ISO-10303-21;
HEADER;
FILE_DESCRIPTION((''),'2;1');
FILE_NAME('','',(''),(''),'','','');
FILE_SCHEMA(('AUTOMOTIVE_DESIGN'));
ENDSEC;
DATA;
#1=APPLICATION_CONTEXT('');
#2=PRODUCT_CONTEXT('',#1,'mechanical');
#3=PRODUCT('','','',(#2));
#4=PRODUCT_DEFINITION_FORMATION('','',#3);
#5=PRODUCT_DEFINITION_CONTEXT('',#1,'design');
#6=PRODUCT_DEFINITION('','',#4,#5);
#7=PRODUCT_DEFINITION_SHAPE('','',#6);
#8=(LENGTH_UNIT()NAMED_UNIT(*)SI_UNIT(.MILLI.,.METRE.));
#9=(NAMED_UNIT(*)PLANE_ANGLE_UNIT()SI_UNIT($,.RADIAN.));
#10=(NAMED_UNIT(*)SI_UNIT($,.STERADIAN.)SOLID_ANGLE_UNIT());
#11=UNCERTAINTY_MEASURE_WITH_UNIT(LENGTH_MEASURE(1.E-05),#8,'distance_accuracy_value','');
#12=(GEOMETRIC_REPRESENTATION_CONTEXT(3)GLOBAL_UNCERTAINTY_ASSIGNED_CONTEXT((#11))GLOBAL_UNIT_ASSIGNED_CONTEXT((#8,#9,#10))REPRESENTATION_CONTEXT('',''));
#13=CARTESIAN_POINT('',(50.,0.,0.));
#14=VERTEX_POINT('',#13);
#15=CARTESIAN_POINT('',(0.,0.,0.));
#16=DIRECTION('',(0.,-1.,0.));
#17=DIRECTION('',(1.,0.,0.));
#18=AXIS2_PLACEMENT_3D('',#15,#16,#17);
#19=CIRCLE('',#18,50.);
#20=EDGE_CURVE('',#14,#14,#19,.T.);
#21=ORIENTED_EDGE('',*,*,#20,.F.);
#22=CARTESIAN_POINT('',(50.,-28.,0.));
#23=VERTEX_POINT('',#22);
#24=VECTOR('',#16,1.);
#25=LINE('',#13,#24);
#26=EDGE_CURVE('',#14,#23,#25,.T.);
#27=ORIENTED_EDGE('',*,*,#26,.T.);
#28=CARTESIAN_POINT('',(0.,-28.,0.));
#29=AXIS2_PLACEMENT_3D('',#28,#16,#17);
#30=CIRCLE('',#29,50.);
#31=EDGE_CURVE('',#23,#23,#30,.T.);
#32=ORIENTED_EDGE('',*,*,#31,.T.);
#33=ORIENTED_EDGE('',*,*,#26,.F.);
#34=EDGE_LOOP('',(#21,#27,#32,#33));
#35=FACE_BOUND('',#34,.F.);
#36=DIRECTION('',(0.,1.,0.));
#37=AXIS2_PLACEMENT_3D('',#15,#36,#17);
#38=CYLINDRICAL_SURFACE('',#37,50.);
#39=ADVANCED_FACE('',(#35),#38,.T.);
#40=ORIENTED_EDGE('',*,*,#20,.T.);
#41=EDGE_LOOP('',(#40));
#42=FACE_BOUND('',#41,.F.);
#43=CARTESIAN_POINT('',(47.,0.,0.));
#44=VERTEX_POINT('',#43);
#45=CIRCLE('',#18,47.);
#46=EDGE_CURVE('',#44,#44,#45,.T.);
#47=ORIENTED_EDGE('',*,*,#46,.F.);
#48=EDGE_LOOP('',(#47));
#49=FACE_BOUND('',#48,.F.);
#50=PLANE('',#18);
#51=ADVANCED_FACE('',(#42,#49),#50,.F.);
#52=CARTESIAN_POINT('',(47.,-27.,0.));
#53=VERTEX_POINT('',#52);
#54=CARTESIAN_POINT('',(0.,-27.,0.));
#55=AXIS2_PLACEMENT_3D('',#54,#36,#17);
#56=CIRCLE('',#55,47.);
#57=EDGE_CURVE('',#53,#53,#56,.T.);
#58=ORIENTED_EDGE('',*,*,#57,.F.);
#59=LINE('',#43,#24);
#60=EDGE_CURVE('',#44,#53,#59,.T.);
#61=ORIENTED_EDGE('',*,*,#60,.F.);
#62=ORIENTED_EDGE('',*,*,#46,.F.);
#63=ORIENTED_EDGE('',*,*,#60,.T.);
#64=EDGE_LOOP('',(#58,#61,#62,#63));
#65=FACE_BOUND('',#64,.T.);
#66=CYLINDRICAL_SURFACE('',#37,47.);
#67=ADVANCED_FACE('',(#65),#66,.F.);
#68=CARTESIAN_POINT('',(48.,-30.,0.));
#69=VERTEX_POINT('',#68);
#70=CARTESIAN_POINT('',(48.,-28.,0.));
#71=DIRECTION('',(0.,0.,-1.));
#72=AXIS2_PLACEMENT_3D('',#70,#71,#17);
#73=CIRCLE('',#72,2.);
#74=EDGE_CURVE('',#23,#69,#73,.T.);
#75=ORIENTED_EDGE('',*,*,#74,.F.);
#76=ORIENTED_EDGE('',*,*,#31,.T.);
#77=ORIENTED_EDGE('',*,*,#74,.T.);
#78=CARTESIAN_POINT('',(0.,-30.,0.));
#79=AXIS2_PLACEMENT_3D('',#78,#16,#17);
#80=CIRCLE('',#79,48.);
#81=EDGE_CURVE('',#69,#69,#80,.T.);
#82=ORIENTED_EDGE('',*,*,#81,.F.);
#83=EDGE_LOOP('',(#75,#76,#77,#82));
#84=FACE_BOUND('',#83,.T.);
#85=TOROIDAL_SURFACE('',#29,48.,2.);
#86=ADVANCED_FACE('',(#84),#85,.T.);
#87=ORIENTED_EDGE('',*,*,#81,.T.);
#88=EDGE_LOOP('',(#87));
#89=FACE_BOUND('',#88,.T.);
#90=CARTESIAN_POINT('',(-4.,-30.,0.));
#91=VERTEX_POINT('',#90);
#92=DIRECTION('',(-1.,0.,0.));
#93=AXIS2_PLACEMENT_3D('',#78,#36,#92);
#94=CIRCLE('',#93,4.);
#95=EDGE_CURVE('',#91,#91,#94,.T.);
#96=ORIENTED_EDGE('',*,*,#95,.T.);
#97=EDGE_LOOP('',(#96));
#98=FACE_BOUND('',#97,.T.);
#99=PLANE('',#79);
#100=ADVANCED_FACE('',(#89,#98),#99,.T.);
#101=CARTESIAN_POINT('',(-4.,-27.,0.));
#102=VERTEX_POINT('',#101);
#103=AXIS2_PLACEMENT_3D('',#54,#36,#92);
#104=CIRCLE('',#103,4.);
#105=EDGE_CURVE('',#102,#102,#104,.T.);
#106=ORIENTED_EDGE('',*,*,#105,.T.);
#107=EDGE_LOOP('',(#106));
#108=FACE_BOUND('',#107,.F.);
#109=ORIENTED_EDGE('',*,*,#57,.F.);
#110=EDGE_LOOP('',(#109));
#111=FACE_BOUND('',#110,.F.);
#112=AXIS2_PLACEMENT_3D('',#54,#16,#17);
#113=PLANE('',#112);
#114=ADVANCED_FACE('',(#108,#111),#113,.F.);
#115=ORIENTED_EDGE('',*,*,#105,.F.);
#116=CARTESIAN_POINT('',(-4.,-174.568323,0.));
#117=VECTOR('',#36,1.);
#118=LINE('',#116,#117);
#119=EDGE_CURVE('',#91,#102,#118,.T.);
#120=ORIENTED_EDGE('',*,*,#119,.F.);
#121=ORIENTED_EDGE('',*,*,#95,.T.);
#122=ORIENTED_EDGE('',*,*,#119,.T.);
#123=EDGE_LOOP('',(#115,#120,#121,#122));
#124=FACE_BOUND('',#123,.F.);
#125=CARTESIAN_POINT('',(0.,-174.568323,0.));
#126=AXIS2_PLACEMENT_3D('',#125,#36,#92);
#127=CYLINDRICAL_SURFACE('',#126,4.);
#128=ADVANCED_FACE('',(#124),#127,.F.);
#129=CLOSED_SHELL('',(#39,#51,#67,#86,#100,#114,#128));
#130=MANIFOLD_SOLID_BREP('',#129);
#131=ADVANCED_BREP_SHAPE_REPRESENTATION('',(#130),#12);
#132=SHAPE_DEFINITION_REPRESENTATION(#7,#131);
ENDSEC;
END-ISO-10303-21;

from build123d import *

# Parameters (mm, degrees)
F0_R     = 50
F1_DEPTH = 30
F2_T     = -3
F3_R     = 2
F5_D     = 8


with BuildPart() as f1:
    # F0 (on Front) → F1 (new body)
    with BuildSketch(Plane.XZ):
        Circle(F0_R)
    extrude(amount=F1_DEPTH)

    # F2
    f2_openings = [f1.faces().sort_by_distance(p)[0] for p in [
        (0, 0, 0),
    ]]
    offset(amount=F2_T, openings=f2_openings)

    # F3
    f3_edges = [f1.edges().sort_by_distance(p)[0] for p in [
        (-50, -30, 0),
    ]]
    fillet(f3_edges, radius=F3_R)

    # F5 (through all)
    with Locations(Plane.XZ.offset(30)):
        with Locations((0, 0)):
            Hole(F5_D / 2)


solid = f1.part
